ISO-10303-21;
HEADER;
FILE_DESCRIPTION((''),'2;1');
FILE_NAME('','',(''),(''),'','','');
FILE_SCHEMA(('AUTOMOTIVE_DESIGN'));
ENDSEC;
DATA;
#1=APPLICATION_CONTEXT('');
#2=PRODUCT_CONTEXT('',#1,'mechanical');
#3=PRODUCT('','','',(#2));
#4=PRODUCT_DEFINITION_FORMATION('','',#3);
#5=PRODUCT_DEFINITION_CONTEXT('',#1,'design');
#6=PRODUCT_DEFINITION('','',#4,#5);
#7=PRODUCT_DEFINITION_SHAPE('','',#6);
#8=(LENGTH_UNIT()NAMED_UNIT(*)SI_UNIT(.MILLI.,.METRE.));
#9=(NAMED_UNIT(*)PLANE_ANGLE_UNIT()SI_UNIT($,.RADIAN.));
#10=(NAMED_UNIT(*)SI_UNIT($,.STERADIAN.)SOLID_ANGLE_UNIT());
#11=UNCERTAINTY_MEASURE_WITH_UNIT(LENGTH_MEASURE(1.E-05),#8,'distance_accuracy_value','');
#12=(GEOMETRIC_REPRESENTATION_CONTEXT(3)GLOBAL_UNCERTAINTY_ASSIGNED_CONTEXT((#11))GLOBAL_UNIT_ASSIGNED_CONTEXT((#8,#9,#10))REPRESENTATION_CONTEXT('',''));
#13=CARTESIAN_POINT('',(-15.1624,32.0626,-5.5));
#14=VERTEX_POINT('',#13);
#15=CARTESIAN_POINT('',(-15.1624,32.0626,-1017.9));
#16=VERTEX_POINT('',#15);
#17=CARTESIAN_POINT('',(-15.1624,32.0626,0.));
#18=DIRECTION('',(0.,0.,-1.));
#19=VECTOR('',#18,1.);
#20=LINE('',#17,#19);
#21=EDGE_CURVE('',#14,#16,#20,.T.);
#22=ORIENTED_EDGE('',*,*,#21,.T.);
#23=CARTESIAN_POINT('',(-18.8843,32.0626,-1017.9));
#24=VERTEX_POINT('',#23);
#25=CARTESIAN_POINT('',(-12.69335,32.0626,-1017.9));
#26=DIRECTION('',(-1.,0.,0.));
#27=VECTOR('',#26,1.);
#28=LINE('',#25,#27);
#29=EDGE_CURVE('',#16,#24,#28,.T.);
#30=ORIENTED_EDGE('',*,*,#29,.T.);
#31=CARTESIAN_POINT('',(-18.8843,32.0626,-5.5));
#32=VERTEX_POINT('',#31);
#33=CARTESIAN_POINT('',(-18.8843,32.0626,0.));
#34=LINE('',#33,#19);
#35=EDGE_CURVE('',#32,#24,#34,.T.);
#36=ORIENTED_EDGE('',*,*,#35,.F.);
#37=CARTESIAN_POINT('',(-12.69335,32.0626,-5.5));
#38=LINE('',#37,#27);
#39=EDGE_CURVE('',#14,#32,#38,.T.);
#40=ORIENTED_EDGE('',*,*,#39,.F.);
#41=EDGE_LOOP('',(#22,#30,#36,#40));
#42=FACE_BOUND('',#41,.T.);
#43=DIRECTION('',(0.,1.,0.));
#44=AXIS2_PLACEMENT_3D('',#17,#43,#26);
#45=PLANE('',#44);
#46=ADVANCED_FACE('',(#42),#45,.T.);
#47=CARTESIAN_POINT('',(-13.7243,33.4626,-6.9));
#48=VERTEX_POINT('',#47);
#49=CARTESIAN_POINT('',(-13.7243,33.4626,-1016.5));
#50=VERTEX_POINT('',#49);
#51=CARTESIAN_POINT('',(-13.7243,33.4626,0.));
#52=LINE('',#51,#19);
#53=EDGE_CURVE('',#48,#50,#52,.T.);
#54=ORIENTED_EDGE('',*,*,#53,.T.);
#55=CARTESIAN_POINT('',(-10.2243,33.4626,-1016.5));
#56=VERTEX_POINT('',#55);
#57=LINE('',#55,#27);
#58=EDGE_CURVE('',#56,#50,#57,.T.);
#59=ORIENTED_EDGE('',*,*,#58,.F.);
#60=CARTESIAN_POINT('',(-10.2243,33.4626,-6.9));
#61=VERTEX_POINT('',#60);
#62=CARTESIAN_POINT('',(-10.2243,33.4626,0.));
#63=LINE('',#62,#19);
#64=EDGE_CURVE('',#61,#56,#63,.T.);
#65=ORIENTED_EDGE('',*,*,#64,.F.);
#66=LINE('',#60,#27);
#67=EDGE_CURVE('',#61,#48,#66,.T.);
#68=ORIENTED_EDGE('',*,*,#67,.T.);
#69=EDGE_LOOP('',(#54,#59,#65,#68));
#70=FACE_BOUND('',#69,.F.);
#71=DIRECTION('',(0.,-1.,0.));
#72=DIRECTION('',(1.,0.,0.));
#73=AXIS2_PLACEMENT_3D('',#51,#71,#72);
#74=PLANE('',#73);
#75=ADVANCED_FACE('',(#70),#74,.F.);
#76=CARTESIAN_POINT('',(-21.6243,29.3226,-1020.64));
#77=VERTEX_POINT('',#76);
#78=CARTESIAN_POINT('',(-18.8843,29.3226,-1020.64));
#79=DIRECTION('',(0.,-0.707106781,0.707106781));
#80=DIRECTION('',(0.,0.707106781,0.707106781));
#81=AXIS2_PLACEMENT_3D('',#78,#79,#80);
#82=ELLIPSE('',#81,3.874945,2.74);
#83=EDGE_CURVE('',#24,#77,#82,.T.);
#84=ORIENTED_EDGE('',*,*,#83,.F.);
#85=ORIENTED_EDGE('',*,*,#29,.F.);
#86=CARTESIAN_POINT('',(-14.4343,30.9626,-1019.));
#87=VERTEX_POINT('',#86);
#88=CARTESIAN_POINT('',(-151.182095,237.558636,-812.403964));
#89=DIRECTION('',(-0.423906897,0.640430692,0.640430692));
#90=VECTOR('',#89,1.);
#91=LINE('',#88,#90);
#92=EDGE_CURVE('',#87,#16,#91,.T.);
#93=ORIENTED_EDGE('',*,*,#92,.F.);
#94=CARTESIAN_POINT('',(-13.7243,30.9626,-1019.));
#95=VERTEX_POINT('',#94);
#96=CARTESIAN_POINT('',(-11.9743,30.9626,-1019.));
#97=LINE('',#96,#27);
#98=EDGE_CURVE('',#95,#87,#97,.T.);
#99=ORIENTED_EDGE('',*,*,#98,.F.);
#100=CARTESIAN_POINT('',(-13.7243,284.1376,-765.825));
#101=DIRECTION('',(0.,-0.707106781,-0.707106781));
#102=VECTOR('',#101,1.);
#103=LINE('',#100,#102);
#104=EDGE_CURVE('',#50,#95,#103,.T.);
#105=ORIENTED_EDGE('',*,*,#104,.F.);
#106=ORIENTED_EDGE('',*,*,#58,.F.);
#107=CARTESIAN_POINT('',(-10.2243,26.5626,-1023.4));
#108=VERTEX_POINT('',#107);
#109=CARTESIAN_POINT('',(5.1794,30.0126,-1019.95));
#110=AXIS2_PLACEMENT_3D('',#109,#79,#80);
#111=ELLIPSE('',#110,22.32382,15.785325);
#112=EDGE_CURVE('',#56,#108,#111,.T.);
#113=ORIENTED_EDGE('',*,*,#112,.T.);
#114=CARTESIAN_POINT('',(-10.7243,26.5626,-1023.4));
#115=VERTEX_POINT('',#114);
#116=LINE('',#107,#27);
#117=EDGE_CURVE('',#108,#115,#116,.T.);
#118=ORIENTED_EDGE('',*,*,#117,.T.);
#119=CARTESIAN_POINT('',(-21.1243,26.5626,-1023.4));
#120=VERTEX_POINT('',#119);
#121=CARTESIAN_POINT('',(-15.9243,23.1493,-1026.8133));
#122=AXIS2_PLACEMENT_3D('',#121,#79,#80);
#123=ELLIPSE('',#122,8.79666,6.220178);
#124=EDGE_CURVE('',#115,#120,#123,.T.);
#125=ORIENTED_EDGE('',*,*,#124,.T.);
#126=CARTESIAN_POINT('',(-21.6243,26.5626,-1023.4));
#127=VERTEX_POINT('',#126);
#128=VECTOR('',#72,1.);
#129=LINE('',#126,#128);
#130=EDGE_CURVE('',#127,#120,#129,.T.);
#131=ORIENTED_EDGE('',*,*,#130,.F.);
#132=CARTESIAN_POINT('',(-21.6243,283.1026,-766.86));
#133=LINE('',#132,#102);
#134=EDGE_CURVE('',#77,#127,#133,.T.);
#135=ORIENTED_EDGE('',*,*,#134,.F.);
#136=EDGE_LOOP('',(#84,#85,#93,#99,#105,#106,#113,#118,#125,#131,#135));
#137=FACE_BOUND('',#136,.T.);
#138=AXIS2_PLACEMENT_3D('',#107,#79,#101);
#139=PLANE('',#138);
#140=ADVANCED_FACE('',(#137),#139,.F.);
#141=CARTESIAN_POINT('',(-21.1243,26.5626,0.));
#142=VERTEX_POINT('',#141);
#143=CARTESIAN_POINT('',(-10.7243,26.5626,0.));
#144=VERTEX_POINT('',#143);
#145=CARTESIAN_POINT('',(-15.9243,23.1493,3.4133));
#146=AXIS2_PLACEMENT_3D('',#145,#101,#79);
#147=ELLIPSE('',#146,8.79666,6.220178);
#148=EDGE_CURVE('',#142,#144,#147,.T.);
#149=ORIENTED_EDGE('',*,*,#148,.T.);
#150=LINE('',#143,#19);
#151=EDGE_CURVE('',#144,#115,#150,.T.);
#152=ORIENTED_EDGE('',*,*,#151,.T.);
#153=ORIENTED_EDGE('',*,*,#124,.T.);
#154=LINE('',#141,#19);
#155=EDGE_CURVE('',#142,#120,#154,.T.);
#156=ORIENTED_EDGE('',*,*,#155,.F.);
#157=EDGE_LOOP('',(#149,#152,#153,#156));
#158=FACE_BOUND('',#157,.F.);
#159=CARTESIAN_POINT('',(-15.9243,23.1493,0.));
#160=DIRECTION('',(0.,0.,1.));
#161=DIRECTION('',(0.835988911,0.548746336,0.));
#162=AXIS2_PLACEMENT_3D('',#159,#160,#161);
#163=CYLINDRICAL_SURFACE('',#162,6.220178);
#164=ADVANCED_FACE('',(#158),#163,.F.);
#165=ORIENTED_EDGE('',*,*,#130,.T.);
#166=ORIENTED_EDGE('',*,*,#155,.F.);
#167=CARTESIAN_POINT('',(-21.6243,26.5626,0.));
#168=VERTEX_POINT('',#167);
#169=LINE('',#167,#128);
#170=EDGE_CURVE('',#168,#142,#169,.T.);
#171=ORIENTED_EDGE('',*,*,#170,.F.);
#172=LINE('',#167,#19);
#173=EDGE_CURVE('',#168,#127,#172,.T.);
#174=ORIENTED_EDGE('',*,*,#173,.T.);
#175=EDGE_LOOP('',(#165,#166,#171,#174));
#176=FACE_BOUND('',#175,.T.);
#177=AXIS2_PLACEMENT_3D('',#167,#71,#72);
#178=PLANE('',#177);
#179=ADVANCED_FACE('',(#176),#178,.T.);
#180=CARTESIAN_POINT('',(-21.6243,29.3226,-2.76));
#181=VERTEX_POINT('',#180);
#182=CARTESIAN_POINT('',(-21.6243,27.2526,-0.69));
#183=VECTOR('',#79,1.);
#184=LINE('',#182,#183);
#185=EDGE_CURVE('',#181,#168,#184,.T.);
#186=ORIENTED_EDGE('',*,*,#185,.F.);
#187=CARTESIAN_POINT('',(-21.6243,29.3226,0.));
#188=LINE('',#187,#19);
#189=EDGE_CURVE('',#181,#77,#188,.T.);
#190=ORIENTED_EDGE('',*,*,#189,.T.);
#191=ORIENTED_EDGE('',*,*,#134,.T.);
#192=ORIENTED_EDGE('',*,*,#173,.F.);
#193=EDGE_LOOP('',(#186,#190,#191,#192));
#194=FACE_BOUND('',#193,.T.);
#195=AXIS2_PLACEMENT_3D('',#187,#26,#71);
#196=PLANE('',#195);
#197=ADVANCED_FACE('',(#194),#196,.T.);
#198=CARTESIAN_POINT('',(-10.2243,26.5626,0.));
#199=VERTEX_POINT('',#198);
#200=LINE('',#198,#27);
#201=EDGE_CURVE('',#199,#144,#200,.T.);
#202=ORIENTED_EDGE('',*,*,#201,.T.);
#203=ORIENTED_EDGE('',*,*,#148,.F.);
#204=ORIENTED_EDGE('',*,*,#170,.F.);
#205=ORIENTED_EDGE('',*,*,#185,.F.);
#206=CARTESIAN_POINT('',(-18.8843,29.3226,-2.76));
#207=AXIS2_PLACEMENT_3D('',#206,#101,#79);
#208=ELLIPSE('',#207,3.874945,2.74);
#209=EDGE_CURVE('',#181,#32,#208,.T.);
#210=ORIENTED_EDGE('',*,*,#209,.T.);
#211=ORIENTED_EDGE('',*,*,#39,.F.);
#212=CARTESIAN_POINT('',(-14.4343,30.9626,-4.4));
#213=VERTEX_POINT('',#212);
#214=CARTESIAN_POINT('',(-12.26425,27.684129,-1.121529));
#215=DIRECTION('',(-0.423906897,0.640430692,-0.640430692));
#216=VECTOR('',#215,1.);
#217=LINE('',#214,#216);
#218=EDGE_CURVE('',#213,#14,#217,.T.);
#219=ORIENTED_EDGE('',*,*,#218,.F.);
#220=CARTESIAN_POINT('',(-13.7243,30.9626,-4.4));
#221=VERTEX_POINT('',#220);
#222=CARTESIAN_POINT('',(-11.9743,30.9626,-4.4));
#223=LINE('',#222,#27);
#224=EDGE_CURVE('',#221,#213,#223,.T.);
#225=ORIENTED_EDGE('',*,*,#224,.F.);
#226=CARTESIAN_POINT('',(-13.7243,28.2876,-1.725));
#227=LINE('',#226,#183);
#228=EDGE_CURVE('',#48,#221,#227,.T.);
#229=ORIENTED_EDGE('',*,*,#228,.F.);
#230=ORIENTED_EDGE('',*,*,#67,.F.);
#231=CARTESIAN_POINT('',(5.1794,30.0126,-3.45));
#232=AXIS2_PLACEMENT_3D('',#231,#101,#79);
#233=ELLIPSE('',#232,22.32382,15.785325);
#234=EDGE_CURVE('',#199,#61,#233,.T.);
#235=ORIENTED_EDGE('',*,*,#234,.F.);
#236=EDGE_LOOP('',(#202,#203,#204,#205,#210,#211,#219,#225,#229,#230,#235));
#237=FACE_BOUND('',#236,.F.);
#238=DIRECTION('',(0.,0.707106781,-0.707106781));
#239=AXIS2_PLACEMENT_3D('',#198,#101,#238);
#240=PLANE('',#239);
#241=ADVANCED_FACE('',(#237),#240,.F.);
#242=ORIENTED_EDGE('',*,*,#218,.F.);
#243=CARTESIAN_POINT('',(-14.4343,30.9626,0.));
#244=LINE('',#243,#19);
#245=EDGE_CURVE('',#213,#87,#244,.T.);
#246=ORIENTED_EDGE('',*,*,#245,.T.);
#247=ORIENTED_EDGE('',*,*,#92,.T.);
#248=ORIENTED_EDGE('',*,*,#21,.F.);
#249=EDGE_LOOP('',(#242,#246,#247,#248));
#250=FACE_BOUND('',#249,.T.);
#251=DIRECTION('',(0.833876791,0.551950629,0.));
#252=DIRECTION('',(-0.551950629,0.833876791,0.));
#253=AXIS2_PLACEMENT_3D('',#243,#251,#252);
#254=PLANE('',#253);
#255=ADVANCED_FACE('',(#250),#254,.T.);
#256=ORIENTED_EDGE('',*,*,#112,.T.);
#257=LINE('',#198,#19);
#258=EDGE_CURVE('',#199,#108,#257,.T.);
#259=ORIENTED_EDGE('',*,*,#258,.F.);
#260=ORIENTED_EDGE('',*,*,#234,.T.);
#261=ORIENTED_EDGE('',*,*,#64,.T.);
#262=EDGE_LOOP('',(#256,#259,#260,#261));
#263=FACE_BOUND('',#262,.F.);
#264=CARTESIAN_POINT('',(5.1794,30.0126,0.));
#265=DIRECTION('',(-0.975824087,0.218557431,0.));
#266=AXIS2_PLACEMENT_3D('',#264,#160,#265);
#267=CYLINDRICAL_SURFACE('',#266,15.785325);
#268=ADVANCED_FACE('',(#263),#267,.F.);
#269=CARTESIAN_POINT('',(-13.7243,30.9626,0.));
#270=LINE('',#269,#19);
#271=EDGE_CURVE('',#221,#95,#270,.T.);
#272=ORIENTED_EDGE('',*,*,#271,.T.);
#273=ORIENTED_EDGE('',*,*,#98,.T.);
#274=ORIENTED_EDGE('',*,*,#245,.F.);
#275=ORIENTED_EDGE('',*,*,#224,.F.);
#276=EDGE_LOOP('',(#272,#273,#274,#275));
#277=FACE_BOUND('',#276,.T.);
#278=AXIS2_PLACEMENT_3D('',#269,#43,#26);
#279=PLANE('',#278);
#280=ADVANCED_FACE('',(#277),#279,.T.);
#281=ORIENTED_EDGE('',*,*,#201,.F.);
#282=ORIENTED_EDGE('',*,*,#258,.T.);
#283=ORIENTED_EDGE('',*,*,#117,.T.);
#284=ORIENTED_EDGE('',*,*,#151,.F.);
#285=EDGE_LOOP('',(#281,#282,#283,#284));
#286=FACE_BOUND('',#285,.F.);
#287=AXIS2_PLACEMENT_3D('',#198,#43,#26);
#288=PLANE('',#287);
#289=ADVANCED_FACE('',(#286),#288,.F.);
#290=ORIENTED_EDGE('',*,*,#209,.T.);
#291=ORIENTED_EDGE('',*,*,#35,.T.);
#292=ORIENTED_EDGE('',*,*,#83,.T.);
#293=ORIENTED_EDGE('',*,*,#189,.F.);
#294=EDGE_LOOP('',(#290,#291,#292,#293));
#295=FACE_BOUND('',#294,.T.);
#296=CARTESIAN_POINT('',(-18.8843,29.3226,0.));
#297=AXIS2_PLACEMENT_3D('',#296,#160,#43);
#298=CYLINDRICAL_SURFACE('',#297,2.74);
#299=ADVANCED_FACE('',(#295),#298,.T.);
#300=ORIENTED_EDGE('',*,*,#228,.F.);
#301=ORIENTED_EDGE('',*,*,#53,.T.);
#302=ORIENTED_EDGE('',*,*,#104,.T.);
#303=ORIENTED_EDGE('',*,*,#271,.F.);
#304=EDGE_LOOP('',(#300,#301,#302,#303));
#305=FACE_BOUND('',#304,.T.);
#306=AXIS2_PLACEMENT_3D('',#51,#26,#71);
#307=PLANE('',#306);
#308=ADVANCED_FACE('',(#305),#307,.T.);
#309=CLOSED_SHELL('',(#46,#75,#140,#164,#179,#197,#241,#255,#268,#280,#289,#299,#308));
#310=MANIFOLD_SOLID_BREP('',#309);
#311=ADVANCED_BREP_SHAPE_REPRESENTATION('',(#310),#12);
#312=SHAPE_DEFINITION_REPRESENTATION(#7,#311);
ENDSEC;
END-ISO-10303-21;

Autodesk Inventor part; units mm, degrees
ref_plane "YZ Plane" through (0, 0, 0) normal (1, 0, 0) x (0, 1, 0)
ref_plane "XZ Plane" through (0, 0, 0) normal (0, 1, 0) x (-1, 0, 0)
sketch "Boceto3" plane through (0, 0, 0) normal (0, 0, 1) x (1, 0, 0)
  line L0 (-15.1624, 32.0626) -> (-18.8843, 32.0626)
  line L1 (-13.7243, 33.4626) -> (-13.7243, 30.9626)
  line L2 (-13.7243, 30.9626) -> (-14.4343, 30.9626)
  line L3 (-14.4343, 30.9626) -> (-15.1624, 32.0626)
  arc A0 (-18.8843, 32.0626) -> (-21.6243, 29.3226) centre (-18.8843, 29.3226) ccw
  line L4 (-13.7243, 33.4626) -> (-10.2243, 33.4626)
  line L5 (-21.6243, 29.3226) -> (-21.6243, 26.5626)
  arc A1 (-10.2243, 33.4626) -> (-10.2243, 26.5626) centre (5.1794, 30.0126) ccw
  line L6 (-21.6243, 26.5626) -> (-21.1243, 26.5626)
  line L7 (-10.2243, 26.5626) -> (-10.7243, 26.5626)
  arc A2 (-10.7243, 26.5626) -> (-21.1243, 26.5626) centre (-15.9243, 23.1493) ccw
  dimension "d218" = 2.5
  dimension "d219" = 0.71
  dimension "d221" = 33.5
  dimension "d223" = 2.74
  dimension "d281" = 3.5
  dimension "d288" = 2.76
  dimension "d291" = 0.5
  dimension "d292" = 0.5
extrude "Extrusión4" add sketch "Boceto3" against normal blind 1023.4
ref_plane "Plano de trabajo2" through (-10.2243, 33.4626, 0) normal (-1, 0, 0) x (0, 0, -1)
ref_plane "Plano de trabajo4" through (0, 0, -511.7) normal (0, 0, 1) x (1, 0, 0)
sketch "Boceto5" plane through (-10.2243, 33.4626, 0) normal (-1, 0, 0) x (0, 0, -1)
  line L0 (0, 0) -> (0, 6.9) projected
  line L1 (0, 6.9) -> (6.9, 0)
  line L2 (0, 0) -> (1023.4, 0) projected
  line L3 (6.9, 0) -> (0, 0)
  line L4 (0, 0) -> (0, 6.9)
  point P0 (0, 33.4626)
  dimension "d296" = 45
extrude "Extrusión6" cut sketch "Boceto5" along normal through all
mirror "Simetría3" about plane through (0, 0, -511.7) normal (0, 0, 1) of "Extrusión6"
properties part number "SP40-10 JUNTA INT CRISTAL 1023" material "Caucho"
